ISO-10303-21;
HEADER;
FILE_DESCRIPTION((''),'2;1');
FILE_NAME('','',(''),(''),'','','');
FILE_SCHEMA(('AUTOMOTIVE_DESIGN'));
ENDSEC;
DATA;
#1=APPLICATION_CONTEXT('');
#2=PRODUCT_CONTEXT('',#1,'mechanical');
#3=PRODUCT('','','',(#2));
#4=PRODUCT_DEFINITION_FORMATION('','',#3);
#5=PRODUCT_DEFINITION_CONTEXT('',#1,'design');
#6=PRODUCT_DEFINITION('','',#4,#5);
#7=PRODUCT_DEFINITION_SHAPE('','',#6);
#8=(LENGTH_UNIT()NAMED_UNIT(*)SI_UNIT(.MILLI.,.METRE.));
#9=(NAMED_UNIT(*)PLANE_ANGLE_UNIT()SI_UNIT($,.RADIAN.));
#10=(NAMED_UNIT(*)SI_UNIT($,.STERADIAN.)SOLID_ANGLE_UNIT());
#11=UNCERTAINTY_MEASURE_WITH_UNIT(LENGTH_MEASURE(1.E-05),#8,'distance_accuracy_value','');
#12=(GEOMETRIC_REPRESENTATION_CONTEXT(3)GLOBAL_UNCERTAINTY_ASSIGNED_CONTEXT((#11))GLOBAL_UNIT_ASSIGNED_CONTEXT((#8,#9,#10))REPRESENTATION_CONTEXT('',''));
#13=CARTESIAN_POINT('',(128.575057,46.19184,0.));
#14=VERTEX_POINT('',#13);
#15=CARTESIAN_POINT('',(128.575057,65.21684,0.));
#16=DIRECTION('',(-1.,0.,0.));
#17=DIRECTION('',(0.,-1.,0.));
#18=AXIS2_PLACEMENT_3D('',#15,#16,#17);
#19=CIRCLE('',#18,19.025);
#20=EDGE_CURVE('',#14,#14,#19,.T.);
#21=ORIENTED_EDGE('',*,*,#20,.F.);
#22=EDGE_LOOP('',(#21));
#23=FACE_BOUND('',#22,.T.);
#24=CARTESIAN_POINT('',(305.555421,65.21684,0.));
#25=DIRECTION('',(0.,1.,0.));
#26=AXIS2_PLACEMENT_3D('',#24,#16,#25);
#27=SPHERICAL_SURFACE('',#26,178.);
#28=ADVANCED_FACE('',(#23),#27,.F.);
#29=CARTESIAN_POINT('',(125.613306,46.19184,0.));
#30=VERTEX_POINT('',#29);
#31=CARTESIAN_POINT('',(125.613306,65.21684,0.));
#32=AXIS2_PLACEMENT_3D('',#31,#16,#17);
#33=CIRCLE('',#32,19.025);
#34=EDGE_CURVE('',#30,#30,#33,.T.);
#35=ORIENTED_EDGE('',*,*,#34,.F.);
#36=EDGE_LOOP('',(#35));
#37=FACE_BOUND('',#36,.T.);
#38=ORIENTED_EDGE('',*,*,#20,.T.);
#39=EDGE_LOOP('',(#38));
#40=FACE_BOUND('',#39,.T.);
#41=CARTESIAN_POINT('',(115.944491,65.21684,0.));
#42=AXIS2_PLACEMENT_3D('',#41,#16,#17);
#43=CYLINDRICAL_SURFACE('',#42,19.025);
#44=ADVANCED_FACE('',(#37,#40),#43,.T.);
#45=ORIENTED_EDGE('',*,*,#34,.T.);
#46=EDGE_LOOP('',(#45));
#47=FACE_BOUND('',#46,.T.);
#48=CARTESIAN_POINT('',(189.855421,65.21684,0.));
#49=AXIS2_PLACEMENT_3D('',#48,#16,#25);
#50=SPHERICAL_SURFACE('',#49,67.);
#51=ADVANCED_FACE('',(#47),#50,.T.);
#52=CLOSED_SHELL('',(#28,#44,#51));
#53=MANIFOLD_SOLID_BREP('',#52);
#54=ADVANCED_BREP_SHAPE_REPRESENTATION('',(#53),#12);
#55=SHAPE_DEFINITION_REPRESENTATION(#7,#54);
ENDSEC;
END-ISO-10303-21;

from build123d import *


with BuildPart() as part:
    # 草图1 → 旋转1 (revolve)
    with BuildSketch(Plane.XY):
        with BuildLine():
            Line((125.613306041, 84.241840471), (128.575056939, 84.241840471))
            ThreePointArc((128.575056939, 84.241840471), (127.810513007, 74.742992393), (127.555421316, 65.216840471))
            Line((127.555421316, 65.216840471), (122.855421316, 65.216840471))
            ThreePointArc((122.855421316, 65.216840471), (123.548477021, 74.828767348), (125.613306041, 84.241840471))
        make_face()
    revolve(axis=Axis((115.944491298, 65.216840471, 0), (1, 0, 0)))


solid = part.part
